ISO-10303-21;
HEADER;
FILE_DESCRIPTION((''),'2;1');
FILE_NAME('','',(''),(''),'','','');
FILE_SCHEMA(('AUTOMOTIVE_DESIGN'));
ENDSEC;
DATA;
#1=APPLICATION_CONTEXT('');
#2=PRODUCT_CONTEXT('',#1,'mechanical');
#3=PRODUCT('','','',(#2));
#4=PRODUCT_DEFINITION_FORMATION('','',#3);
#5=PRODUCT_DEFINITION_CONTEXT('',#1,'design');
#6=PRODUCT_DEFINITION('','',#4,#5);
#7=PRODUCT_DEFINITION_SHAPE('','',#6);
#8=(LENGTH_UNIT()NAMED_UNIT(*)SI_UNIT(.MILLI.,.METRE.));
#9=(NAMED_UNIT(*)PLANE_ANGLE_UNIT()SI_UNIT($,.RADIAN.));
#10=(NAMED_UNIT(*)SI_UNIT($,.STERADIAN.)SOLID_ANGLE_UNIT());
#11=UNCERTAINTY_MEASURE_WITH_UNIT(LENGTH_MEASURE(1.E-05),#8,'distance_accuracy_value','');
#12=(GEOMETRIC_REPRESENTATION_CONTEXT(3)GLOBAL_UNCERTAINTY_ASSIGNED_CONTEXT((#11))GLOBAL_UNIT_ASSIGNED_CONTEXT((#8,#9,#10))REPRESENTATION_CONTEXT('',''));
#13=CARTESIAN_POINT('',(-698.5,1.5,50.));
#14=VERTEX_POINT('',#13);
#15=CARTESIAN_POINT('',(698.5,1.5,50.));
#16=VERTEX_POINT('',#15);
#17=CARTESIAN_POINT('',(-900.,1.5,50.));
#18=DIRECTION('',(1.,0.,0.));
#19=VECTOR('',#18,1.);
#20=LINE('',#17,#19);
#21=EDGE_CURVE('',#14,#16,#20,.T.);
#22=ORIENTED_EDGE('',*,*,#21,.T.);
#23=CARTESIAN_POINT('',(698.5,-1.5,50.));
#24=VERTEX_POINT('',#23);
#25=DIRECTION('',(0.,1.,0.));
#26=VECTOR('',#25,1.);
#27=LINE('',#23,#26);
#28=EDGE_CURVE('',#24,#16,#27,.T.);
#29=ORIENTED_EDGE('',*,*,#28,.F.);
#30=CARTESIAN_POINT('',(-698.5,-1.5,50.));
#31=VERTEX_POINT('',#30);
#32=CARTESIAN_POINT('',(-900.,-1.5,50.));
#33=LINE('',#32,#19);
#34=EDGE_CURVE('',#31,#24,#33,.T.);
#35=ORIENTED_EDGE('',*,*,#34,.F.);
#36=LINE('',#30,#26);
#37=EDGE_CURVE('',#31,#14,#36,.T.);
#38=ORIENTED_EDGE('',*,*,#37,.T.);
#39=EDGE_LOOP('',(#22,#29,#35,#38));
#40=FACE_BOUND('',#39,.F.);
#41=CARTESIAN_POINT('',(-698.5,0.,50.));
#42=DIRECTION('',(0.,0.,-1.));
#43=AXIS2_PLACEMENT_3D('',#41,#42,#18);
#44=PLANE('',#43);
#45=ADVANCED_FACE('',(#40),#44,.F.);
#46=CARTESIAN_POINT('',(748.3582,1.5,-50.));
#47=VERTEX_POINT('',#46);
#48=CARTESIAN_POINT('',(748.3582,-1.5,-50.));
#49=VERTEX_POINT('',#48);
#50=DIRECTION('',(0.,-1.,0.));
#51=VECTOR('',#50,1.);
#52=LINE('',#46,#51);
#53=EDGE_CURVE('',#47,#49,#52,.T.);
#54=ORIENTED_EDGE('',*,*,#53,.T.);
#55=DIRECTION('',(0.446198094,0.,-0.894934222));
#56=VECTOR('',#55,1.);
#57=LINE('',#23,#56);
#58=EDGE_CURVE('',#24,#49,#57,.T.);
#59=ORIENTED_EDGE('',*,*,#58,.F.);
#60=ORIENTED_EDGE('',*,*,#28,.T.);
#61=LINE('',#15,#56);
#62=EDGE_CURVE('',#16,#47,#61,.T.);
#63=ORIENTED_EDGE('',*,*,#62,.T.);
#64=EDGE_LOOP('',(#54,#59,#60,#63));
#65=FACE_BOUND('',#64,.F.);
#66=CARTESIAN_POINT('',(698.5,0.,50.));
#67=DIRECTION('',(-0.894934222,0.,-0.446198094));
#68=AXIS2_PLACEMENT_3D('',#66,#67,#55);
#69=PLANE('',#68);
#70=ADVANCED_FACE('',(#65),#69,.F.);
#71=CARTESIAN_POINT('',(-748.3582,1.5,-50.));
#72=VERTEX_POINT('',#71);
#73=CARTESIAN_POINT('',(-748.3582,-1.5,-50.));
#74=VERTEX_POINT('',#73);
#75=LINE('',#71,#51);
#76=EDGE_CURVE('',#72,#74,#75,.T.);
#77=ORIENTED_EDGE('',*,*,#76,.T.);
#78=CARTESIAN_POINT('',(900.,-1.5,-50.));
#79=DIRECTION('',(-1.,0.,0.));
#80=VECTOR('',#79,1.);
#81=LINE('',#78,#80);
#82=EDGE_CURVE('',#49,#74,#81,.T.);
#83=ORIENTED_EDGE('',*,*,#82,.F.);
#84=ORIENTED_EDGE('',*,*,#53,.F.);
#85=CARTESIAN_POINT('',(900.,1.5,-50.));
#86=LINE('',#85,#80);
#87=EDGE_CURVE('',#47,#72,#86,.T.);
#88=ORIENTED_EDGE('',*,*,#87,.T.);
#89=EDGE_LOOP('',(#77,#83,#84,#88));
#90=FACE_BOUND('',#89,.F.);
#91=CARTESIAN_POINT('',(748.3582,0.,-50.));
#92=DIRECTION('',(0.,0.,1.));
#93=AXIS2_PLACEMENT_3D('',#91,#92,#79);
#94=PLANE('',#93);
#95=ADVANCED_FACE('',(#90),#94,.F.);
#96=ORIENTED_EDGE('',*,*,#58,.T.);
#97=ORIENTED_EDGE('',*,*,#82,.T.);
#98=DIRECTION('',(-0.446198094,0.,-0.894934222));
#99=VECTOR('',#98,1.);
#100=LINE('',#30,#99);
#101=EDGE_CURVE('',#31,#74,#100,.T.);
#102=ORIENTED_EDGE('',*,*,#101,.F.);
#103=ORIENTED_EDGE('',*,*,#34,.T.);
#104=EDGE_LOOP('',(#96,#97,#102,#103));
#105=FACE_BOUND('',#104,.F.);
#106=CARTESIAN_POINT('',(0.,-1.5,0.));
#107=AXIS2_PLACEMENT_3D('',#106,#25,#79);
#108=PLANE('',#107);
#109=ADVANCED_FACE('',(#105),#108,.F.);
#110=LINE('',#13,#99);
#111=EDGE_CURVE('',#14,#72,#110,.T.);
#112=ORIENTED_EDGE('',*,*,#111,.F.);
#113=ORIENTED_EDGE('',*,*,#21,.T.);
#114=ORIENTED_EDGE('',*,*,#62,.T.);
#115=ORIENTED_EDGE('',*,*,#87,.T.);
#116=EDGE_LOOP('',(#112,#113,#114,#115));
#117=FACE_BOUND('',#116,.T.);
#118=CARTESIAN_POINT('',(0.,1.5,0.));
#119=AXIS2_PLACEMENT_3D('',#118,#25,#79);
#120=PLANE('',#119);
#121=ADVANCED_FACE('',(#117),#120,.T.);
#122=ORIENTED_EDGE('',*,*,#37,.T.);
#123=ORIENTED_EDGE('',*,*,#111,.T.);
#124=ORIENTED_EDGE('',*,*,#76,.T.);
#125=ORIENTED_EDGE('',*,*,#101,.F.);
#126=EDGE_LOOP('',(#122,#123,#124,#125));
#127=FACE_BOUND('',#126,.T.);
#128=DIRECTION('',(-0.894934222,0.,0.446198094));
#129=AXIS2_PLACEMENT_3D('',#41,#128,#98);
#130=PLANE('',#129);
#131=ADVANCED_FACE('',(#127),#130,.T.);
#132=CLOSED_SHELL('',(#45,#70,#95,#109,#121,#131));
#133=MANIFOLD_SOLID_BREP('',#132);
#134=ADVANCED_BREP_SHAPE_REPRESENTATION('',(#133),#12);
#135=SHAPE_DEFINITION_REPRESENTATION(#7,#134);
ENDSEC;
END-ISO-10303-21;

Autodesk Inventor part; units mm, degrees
ref_plane "YZ Plane" through (0, 0, 0) normal (1, 0, 0) x (0, 1, 0)
ref_plane "XZ Plane" through (0, 0, 0) normal (0, 1, 0) x (-1, 0, 0)
ref_plane "XY Plane" through (0, 0, 0) normal (0, 0, 1) x (1, 0, 0)
sketch "Sketch1" plane through (0, 0, 0) normal (0, 1, 0) x (-1, 0, 0)
  line L0 (900, 50) -> (-900, 50)
  line L1 (-900, 50) -> (-900, -50)
  line L2 (-900, -50) -> (900, -50)
  line L3 (900, -50) -> (900, 50)
  line L4 (900, 50) -> (-900, -50) construction
  line L5 (698.5, 50) -> (748.3582, -50)
  line L6 (0, 50) -> (0, -50) construction
  line L7 (-698.5, 50) -> (-748.3582, -50)
  point P0 (0, 0)
  point P1 (0, 0)
  dimension "d0" = 100
  dimension "d1" = 1800
  dimension "d3" = 116.5
  dimension "d6" = 698.5
  dimension "d7" = 116.5
  dimension "d8" = 698.5
extrude "Plate1" add sketch "Sketch1" along normal mid plane 3 contours L5 L2 L7 L0
equation "\"d7\" = d3"
equation "\"d8\" = d6"
equation "\"d2\" = Thickness"
equation "\"BendReliefWidth\" = Thickness"
equation "\"BendReliefDepth\" = 0.5 * Thickness"
equation "\"CornerReliefSize\" = 4 * Thickness"
equation "\"MinimumRemnant\" = 2 * Thickness"
equation "\"TransitionRadius\" = BendRadius"
equation "\"JacobiRadiusSize\" = BendRadius"
equation "\"GapSize\" = Thickness"
equation "\"Thickness\" = 3"
equation "\"BendRadius\" = 5"
properties part number "MSC 204 GRID" material "Stainless Steel"
